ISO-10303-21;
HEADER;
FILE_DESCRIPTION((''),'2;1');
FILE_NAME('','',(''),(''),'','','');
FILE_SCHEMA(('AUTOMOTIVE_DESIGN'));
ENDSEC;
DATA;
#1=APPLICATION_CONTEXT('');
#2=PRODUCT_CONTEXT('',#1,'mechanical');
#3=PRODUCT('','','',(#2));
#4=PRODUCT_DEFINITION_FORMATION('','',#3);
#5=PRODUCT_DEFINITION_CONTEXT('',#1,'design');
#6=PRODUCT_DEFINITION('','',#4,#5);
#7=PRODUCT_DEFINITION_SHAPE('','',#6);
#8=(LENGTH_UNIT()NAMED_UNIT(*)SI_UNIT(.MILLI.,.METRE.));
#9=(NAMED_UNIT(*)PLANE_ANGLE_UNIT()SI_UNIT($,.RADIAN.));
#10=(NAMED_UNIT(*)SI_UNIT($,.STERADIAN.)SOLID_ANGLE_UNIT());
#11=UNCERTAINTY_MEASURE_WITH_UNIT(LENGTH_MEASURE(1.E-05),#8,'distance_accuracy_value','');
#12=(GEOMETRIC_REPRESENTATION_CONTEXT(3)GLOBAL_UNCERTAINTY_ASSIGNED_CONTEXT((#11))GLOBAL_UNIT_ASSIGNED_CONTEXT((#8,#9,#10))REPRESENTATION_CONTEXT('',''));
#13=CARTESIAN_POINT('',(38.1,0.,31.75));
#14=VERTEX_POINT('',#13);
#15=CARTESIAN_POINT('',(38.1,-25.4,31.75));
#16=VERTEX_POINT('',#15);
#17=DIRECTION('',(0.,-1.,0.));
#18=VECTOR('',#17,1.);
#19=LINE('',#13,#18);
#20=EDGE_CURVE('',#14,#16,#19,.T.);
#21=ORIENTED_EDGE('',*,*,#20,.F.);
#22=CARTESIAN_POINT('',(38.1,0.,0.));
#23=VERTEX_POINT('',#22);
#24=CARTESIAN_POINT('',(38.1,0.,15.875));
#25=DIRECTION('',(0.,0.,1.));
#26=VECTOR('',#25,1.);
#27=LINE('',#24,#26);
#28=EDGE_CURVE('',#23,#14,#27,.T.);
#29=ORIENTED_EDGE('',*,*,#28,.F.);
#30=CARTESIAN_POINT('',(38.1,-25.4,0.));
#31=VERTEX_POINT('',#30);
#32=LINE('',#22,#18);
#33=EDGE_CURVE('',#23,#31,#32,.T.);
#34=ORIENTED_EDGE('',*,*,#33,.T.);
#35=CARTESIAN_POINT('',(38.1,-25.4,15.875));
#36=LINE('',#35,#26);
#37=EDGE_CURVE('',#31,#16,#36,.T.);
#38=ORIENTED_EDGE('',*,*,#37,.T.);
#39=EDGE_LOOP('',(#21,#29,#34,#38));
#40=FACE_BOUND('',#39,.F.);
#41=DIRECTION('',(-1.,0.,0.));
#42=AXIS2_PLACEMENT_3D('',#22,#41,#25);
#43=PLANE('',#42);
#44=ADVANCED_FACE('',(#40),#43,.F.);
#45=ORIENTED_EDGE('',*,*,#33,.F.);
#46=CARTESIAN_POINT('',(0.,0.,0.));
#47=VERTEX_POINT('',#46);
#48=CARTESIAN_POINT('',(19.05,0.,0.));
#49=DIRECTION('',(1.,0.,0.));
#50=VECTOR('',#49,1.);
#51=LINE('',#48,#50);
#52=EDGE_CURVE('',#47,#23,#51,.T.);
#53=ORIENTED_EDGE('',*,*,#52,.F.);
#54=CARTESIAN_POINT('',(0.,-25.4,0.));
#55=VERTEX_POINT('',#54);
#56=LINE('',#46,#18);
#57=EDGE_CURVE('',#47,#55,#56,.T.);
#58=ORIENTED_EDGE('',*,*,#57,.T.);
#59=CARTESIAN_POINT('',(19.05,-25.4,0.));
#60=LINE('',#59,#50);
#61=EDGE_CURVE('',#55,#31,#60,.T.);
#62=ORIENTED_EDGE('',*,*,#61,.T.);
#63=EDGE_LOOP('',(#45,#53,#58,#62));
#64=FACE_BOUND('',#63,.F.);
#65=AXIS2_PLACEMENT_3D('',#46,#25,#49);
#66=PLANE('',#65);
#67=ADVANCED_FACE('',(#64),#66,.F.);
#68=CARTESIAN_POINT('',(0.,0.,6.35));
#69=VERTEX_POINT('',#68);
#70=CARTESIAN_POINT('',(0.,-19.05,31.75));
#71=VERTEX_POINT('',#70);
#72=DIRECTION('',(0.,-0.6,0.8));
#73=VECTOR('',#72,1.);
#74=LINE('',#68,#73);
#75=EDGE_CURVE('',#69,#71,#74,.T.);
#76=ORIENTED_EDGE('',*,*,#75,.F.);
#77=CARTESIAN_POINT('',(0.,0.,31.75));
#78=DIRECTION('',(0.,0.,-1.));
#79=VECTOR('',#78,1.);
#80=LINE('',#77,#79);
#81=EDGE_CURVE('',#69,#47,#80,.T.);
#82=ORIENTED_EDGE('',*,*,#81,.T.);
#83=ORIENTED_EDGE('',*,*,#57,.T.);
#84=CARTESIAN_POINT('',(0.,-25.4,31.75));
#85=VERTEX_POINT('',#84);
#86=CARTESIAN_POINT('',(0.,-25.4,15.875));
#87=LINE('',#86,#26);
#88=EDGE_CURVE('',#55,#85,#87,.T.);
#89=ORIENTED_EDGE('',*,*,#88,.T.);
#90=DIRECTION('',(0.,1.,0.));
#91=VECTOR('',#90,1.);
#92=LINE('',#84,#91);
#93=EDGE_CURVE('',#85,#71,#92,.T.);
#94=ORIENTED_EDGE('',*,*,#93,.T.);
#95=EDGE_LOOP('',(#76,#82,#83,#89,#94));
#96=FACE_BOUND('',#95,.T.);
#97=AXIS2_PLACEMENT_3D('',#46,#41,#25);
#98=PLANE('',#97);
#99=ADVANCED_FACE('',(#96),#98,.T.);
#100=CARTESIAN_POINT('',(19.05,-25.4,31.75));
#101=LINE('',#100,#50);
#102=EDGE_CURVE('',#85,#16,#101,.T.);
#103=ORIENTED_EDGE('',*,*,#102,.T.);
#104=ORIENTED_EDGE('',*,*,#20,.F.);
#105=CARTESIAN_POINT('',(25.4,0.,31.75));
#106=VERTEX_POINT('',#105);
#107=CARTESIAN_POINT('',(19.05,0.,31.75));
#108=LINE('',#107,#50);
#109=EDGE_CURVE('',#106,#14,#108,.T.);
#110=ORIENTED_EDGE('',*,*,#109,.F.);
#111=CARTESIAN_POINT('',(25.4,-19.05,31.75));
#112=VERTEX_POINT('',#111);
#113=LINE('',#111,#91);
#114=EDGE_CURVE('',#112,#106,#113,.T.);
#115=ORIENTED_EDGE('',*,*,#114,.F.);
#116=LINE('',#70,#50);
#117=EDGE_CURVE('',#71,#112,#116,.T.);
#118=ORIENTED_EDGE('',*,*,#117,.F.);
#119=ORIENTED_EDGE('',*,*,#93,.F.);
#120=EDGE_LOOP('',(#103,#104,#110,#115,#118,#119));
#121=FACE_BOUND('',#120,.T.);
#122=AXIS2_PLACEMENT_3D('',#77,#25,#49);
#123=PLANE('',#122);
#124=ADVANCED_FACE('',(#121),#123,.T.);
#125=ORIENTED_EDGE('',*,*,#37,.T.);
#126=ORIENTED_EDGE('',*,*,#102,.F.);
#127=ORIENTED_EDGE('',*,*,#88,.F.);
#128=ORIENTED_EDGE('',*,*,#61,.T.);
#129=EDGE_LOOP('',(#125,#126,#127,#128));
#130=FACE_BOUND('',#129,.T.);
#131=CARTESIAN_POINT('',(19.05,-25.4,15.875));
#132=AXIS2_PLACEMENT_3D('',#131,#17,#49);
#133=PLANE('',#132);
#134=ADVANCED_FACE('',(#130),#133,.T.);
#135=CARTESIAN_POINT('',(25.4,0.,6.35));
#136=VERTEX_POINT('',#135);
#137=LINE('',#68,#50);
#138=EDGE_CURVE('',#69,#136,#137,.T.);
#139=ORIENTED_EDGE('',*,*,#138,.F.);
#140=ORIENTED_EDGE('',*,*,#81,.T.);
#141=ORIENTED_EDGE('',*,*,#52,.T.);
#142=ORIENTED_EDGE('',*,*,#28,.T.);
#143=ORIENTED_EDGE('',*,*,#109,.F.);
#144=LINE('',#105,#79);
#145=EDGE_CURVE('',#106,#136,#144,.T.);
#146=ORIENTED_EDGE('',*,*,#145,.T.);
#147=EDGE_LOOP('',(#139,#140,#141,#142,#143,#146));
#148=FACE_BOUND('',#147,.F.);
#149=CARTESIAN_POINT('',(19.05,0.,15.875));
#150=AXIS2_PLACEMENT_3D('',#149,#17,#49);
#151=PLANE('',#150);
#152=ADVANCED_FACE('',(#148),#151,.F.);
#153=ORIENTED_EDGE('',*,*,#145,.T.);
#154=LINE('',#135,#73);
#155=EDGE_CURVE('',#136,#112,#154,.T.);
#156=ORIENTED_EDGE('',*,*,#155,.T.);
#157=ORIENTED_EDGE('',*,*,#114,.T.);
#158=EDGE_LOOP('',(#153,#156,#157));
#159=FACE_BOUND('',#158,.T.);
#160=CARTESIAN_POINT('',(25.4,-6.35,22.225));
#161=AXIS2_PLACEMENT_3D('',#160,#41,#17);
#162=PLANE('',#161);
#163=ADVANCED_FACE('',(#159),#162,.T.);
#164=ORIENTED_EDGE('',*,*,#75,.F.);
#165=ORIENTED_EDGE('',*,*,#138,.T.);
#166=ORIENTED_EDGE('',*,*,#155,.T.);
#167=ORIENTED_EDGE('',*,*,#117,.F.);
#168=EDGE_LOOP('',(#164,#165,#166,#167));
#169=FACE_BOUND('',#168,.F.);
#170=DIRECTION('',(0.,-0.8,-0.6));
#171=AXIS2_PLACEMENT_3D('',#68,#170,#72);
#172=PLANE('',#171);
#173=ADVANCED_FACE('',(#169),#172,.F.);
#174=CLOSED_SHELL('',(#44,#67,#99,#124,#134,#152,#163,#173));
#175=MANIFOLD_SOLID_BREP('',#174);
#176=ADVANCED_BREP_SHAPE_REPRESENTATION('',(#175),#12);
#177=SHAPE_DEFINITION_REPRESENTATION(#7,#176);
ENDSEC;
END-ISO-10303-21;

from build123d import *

# Parameters (mm, degrees)
F0_W     = 38.1
F0_H     = 31.75
F1_DEPTH = 25.4
F3_DEPTH = 19.05
F5_DEPTH = 25.4


with BuildPart() as f1:
    # F0 (on Front) → F1 (new body)
    with BuildSketch(Plane.XZ):
        with Locations((19.05, 15.875)):
            Rectangle(F0_W, F0_H)
    extrude(amount=F1_DEPTH)

    # F2 (on Right) → F3 (cut)
    with BuildSketch(Plane.YZ):
        Polygon((0, 6.35), (0, 25.535107), (0, 31.75), (-19.05, 31.75), align=None)
    extrude(amount=-F3_DEPTH, mode=Mode.SUBTRACT)

    # F4 (on face) → F5 (cut)
    with BuildSketch(Plane(origin=(0, 0, 0), x_dir=(0, -1, 0), z_dir=(-1, 0, 0))):
        Polygon((0, 6.35), (19.05, 31.75), (0, 31.75), align=None)
    extrude(amount=-F5_DEPTH, mode=Mode.SUBTRACT)


solid = f1.part
